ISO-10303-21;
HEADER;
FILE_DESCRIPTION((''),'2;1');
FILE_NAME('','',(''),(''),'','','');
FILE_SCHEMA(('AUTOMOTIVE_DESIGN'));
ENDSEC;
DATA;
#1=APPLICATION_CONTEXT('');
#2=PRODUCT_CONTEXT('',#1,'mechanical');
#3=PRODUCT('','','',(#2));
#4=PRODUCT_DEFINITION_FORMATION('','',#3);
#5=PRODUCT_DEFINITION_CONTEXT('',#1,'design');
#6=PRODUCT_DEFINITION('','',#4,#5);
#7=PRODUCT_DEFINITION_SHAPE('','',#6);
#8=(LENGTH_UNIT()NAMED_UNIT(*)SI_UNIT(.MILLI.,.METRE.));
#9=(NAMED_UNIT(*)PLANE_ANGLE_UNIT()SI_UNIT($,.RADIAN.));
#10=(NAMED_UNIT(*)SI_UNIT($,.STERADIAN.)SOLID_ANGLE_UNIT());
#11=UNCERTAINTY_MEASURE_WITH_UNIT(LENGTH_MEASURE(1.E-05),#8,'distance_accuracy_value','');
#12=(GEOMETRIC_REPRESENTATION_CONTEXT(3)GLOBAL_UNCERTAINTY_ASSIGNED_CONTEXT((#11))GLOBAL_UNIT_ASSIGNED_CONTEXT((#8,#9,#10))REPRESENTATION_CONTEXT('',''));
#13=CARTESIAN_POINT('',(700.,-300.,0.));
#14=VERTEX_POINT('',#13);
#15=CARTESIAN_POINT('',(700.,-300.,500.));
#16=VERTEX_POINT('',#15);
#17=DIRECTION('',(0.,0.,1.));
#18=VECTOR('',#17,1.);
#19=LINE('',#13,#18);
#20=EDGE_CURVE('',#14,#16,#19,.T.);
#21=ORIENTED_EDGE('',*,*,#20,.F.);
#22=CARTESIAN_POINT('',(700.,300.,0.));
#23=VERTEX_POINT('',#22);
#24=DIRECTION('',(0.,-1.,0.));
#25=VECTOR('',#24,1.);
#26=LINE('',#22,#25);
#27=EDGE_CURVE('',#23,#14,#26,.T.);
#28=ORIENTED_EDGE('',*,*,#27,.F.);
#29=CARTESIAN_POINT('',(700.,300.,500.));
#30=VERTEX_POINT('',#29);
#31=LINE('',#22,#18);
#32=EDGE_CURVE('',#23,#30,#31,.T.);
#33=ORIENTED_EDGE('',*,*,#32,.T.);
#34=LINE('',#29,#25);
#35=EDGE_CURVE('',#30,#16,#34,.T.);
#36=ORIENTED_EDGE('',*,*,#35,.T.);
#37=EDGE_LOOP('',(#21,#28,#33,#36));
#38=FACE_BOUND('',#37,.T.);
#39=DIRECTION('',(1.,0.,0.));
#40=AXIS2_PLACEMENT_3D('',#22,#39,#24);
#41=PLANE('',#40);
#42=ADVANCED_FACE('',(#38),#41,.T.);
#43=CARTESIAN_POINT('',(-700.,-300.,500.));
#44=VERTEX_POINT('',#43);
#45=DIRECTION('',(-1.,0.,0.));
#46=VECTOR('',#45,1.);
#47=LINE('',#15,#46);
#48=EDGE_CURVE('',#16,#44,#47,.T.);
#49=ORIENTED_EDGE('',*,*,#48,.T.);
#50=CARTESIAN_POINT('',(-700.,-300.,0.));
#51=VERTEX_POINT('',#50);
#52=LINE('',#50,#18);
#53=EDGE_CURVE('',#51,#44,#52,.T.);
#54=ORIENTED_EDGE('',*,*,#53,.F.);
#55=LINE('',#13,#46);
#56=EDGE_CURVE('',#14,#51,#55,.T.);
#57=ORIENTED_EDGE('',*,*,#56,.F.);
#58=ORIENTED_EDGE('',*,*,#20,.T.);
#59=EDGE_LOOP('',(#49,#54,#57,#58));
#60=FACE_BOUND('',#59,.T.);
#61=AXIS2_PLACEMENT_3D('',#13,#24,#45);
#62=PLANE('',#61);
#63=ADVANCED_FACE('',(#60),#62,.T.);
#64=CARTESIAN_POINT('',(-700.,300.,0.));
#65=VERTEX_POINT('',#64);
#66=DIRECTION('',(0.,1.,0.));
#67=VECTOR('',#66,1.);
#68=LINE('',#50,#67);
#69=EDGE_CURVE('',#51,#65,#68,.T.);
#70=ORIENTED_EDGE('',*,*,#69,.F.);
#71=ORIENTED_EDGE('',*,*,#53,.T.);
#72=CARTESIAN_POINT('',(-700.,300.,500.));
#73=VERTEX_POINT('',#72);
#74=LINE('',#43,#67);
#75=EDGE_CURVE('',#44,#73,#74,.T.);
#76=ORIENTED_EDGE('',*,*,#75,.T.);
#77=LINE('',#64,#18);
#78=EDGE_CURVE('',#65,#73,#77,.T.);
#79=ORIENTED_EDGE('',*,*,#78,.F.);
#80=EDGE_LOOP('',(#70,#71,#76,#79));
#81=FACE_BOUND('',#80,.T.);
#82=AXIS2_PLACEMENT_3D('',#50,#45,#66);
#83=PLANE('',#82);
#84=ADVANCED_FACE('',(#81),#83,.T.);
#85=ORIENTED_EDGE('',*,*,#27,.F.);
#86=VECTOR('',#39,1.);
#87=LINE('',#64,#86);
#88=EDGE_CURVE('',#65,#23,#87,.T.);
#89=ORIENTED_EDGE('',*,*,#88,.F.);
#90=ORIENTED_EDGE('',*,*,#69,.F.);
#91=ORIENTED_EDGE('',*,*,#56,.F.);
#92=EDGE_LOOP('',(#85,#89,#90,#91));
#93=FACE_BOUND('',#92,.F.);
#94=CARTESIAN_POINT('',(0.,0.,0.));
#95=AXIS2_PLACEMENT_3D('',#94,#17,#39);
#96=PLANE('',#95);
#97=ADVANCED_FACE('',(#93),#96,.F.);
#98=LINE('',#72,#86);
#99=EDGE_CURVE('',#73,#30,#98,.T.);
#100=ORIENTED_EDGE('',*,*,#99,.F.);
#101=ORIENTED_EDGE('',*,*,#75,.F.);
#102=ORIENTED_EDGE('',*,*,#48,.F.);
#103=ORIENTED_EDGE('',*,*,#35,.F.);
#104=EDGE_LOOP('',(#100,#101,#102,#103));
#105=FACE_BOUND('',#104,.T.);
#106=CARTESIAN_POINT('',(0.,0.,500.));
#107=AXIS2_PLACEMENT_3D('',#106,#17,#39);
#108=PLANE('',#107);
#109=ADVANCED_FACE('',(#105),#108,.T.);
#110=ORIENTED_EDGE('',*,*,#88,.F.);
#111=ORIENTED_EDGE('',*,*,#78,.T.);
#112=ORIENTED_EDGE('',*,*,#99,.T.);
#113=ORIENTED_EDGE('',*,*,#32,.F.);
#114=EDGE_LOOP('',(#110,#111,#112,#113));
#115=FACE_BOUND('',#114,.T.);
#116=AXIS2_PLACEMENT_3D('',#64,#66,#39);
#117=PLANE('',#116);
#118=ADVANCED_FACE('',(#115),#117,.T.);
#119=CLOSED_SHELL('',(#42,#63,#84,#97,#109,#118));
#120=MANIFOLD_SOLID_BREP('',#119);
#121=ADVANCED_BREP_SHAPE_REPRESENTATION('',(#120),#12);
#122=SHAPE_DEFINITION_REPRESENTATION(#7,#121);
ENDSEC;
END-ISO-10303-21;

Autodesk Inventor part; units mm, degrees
ref_plane "YZ Plane" through (0, 0, 0) normal (1, 0, 0) x (0, 1, 0)
ref_plane "XZ Plane" through (0, 0, 0) normal (0, 1, 0) x (-1, 0, 0)
ref_plane "XY Plane" through (0, 0, 0) normal (0, 0, 1) x (1, 0, 0)
sketch "Sketch1" plane through (0, 0, 0) normal (0, 0, 1) x (1, 0, 0)
  line L0 (-700, 300) -> (700, 300)
  line L1 (700, 300) -> (700, -300)
  line L2 (700, -300) -> (-700, -300)
  line L3 (-700, -300) -> (-700, 300)
  line L4 (-700, 300) -> (700, -300) construction
  line L5 (700, 300) -> (-700, -300) construction
  point P0 (0, 0)
  dimension "d0" = 1400
  dimension "d1" = 600
extrude "Extrusion1" add sketch "Sketch1" along normal blind 500
sketch "Sketch2" plane through (-700, -300, 0) normal (0, -1, 0) x (1, 0, 0)
  line L0 (0, 0) -> (0, 500) projected
  line L1 (0, 366) -> (1400, 366)
  line L2 (0, 134) -> (1400, 134)
  line L3 (1400, 0) -> (1400, 500) projected
  line L4 (1400, 134) -> (1600, 134)
  line L5 (1400, 366) -> (1600, 366)
  point P0 (700, 0)
  dimension "d4" = 134
  dimension "d5" = 232
  dimension "d6" = 1400
  dimension "d7" = 200
properties part number "testhell" material "Steel, Mild"
